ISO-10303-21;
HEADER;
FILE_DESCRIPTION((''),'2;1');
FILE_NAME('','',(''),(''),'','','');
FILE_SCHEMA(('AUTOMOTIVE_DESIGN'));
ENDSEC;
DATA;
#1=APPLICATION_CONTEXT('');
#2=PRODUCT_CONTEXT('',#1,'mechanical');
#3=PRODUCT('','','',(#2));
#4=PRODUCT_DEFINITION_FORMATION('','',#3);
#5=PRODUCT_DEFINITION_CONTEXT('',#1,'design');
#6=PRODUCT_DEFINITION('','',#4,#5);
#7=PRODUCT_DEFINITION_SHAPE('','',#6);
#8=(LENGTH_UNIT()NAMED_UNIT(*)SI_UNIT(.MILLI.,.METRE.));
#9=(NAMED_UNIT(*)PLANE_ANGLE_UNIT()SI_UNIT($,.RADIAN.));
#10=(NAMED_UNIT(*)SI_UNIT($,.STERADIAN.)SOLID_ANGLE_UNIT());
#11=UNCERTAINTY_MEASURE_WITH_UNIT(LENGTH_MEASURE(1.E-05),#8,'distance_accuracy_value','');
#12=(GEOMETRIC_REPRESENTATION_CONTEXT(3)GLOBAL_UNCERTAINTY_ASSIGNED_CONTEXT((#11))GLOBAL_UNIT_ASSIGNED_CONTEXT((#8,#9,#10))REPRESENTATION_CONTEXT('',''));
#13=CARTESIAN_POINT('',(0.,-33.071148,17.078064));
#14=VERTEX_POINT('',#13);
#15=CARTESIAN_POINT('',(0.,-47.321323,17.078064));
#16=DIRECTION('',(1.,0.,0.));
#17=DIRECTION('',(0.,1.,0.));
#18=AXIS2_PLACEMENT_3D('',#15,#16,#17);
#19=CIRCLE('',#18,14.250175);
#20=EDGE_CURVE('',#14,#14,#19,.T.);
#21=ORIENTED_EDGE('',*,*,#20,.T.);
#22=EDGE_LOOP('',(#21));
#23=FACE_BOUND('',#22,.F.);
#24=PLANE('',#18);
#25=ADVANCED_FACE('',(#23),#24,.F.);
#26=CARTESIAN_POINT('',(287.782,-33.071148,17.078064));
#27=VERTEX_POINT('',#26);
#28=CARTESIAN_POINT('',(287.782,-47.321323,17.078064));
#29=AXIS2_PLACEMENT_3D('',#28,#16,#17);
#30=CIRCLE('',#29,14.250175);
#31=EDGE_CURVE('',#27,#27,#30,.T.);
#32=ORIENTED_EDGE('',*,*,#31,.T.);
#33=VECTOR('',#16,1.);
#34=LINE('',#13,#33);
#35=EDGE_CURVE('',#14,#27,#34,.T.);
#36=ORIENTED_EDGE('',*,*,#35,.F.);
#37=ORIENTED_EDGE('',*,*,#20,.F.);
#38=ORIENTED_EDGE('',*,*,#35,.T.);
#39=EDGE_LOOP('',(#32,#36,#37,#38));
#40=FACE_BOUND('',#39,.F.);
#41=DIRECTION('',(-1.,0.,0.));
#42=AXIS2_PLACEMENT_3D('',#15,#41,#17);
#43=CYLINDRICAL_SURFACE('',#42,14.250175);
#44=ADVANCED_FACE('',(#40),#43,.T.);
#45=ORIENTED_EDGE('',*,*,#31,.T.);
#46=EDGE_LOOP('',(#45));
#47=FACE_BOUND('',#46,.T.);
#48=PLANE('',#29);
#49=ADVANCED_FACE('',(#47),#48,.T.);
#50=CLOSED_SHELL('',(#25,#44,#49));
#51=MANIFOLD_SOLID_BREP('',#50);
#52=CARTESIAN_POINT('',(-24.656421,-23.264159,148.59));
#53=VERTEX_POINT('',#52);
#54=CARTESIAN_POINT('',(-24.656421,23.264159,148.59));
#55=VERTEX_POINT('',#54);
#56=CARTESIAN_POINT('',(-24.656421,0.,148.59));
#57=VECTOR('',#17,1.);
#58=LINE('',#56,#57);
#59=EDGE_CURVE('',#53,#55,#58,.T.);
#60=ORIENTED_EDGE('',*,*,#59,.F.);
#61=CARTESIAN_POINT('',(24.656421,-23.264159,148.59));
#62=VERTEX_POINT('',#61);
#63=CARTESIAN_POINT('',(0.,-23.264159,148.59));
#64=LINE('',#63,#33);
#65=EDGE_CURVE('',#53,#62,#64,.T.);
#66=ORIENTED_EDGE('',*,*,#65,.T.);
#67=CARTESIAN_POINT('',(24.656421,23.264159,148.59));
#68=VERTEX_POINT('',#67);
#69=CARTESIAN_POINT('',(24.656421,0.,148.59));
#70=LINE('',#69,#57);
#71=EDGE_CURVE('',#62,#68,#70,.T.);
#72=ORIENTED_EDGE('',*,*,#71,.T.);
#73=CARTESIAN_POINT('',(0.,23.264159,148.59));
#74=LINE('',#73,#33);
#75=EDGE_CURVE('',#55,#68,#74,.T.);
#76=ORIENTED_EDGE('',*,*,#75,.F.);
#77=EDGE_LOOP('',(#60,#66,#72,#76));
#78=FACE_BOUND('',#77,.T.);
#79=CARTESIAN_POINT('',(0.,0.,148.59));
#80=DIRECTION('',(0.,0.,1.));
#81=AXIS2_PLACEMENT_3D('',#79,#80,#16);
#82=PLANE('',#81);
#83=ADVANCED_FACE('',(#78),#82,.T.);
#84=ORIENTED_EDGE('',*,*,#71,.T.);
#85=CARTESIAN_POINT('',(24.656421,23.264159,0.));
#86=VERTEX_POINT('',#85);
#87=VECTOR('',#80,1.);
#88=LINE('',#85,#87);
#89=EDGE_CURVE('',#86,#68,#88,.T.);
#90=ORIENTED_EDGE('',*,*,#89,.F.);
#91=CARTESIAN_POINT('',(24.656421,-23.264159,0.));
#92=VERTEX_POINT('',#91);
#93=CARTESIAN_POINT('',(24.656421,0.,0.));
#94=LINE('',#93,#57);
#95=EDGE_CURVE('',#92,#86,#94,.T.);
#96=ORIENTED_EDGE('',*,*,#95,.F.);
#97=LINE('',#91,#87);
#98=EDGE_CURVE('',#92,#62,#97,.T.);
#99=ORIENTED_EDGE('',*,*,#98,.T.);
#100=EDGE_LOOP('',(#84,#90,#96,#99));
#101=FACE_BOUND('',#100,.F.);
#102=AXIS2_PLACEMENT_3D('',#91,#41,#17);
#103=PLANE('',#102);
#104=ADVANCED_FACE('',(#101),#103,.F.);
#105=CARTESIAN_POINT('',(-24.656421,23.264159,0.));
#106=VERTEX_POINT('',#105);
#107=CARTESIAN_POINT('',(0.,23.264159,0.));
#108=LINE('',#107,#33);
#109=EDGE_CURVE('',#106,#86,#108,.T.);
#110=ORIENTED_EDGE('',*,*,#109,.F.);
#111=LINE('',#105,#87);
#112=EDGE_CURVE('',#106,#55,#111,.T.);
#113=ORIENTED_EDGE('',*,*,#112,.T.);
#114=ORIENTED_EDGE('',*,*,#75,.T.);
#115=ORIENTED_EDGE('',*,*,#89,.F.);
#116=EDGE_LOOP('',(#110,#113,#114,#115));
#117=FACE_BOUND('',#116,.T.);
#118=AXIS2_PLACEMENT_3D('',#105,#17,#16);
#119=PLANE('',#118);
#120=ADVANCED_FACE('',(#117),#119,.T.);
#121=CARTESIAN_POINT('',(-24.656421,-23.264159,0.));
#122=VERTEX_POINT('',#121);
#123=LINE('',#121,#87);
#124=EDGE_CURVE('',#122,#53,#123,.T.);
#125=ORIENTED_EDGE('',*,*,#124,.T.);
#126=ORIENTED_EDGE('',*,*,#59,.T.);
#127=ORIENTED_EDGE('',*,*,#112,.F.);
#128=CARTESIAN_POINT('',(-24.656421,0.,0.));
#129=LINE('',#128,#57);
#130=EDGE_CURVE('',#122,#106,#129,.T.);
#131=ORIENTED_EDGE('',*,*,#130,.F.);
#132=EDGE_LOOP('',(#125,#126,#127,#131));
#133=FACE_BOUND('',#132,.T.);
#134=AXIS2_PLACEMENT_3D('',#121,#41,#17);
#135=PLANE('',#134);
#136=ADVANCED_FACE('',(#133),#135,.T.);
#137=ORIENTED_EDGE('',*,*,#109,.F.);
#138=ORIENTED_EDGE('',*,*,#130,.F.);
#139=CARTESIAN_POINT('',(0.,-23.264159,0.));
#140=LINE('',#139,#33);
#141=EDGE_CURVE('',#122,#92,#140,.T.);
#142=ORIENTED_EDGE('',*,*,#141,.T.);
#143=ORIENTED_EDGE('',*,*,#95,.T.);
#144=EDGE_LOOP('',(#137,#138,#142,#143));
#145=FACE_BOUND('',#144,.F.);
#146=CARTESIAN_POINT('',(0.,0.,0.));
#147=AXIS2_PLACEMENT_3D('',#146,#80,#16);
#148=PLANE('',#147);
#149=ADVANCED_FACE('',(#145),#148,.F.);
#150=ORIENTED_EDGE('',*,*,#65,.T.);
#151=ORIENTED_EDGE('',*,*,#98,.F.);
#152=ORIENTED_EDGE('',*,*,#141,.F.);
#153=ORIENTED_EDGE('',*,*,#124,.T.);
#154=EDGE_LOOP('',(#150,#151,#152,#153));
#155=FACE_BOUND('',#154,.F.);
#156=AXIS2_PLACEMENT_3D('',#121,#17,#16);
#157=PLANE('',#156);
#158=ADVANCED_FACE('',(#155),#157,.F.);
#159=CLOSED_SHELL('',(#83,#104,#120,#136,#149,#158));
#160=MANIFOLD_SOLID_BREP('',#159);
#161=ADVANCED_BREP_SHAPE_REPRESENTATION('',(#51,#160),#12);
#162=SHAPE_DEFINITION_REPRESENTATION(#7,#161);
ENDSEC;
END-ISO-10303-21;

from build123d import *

# Parameters (mm, degrees)
F0_W     = 49.312842
F0_H     = 46.528318
F1_DEPTH = 148.59
F2_R     = 14.250175
F3_DEPTH = 287.782


with BuildPart() as f1:
    # F0 (on Top) → F1 (new body)
    with BuildSketch(Plane.XY):
        Rectangle(F0_W, F0_H)
    extrude(amount=F1_DEPTH)


with BuildPart() as f3:
    # F2 (on Right) → F3 (new body)
    with BuildSketch(Plane.YZ):
        with Locations((-47.321323, 17.078064)):
            Circle(F2_R)
    extrude(amount=F3_DEPTH)


solid = Compound([f1.part, f3.part])
